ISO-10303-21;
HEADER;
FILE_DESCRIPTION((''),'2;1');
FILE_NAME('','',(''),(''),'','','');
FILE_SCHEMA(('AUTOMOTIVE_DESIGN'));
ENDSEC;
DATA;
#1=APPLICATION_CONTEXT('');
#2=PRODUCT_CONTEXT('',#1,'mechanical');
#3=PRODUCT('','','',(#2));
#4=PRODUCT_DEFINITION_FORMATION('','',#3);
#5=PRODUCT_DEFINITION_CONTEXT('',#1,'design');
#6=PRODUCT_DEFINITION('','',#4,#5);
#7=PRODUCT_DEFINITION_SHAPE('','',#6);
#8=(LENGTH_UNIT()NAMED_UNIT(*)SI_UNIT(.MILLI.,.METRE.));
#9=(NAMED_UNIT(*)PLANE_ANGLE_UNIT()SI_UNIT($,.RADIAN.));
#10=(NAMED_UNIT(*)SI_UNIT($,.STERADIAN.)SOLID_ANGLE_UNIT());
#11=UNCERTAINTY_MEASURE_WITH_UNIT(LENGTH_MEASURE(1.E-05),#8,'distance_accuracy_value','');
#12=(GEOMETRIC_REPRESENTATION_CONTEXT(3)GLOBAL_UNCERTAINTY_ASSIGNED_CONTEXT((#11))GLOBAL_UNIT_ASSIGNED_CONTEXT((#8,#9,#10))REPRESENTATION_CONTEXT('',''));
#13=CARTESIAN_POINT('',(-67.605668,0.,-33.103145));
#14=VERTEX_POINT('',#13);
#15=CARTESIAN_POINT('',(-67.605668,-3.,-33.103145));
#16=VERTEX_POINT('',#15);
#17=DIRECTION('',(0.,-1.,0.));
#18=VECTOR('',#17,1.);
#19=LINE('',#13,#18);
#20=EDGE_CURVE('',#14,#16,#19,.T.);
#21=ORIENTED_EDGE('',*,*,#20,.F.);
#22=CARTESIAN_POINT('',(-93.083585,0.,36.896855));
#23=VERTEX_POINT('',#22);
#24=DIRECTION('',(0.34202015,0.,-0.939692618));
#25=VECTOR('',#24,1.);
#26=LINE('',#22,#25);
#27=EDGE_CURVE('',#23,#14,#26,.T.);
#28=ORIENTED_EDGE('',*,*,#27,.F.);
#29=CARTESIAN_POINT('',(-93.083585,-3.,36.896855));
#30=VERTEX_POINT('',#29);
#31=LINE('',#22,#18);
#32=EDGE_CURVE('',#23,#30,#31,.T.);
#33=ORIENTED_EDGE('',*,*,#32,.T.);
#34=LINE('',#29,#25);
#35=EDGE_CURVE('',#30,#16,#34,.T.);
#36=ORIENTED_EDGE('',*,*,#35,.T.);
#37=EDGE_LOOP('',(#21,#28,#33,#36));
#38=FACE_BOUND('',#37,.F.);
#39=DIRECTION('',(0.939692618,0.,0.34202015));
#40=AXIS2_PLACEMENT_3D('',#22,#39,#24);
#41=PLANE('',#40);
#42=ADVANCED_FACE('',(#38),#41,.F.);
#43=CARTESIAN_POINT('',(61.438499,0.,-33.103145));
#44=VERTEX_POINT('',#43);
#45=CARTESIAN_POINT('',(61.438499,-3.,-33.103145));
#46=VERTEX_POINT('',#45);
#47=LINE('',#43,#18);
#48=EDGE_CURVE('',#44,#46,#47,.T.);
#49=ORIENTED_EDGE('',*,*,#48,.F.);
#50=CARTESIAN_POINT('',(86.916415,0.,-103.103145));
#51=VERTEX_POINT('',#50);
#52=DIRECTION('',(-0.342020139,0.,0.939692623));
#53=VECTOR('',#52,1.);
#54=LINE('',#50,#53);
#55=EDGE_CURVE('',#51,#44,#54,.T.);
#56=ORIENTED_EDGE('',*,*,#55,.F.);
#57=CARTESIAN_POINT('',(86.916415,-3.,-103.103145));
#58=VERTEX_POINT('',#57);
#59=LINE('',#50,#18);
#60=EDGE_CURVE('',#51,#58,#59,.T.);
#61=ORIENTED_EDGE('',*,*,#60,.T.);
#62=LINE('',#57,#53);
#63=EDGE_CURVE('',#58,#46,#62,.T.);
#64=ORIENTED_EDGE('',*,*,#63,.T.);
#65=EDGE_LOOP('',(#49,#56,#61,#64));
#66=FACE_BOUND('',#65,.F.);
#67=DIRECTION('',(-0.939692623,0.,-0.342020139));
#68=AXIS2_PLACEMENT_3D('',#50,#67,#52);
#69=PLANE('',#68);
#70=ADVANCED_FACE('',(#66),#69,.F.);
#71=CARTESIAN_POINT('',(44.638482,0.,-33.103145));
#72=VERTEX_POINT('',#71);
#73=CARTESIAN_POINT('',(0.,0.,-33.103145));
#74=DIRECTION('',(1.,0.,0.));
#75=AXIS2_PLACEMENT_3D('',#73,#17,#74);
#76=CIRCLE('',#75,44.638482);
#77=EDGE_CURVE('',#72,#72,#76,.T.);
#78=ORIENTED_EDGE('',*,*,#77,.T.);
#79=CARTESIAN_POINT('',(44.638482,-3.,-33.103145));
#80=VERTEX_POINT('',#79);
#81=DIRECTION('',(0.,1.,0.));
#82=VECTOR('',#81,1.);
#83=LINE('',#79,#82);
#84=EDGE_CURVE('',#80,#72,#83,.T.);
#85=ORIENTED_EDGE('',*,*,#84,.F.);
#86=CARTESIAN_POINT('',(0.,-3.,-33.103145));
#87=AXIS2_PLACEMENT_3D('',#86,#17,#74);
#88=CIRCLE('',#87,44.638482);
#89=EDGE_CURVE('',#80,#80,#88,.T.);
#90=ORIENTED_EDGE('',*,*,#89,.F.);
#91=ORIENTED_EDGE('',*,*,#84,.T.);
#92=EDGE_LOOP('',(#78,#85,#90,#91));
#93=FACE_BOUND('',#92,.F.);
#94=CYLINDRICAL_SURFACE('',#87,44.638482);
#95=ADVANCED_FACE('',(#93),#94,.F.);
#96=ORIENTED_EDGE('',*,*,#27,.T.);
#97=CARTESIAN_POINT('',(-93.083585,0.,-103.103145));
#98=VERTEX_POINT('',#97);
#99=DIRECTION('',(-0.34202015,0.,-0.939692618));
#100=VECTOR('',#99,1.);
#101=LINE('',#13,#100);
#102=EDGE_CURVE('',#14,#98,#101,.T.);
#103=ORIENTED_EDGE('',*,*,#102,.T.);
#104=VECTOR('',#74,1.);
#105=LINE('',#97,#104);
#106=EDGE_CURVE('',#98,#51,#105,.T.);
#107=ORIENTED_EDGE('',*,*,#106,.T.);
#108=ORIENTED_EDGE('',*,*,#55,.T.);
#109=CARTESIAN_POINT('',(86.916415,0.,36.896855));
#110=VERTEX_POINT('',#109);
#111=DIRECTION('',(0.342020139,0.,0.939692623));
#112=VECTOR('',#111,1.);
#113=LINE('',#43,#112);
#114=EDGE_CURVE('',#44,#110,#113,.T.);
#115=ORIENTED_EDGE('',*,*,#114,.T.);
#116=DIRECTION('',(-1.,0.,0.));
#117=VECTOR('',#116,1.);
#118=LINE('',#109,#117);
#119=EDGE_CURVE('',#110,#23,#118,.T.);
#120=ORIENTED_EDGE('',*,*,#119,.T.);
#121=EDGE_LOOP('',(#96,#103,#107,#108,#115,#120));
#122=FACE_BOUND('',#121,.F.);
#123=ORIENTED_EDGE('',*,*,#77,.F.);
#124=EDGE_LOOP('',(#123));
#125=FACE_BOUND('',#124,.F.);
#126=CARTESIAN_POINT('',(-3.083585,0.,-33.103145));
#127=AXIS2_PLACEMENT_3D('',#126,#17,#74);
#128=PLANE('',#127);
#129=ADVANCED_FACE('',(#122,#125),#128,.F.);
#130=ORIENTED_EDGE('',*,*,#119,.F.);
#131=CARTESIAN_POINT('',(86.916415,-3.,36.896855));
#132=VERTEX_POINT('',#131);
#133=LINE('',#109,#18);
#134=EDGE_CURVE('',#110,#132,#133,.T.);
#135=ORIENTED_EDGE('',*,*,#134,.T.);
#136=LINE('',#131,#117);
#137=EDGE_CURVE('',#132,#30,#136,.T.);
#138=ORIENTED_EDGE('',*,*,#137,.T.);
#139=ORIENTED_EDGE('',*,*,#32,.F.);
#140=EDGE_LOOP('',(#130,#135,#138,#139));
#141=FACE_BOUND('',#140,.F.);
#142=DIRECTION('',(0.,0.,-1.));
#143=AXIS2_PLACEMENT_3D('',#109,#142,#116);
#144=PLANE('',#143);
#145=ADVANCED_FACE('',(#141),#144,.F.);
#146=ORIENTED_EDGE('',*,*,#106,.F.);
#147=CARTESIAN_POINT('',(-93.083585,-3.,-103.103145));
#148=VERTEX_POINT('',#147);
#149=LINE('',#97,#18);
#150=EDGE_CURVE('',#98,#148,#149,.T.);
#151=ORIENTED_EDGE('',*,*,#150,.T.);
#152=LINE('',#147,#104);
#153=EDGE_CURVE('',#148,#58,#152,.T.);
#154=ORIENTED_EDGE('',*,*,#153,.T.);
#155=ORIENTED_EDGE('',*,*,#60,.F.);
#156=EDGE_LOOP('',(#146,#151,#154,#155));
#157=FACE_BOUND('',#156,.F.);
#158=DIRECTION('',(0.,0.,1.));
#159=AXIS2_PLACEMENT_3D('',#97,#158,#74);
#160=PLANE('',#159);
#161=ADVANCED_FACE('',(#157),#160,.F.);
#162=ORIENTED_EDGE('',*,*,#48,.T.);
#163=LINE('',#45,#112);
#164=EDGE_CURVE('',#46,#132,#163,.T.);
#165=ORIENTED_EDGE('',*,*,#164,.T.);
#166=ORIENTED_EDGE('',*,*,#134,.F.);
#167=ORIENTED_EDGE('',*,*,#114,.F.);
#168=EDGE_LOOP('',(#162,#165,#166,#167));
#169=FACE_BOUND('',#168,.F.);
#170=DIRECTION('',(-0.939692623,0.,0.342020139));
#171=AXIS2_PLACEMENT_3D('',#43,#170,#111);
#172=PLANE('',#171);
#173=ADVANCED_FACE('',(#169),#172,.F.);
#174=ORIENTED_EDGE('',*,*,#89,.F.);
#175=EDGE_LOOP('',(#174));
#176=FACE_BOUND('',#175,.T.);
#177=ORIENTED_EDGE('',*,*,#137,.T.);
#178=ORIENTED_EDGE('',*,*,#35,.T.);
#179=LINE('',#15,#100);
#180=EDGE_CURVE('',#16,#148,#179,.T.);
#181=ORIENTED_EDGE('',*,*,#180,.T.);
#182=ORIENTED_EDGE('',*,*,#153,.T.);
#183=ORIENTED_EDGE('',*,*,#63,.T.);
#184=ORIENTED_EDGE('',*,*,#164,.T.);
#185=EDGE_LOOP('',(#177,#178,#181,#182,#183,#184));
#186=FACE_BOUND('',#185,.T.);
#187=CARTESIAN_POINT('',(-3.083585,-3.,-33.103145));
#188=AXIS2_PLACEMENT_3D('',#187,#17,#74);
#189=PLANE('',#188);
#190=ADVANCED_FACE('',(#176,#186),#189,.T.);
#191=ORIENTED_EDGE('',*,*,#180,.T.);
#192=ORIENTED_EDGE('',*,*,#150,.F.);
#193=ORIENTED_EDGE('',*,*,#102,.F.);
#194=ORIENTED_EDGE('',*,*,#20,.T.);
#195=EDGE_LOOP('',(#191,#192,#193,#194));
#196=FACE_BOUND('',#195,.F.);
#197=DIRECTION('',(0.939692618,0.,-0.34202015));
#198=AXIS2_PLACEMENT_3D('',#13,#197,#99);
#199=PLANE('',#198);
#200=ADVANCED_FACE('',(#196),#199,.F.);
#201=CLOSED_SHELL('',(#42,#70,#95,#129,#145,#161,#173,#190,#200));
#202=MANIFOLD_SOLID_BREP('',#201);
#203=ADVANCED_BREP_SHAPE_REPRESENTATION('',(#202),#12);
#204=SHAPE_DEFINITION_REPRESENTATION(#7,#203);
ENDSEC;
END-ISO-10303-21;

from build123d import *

# Parameters (mm, degrees)
F1_DEPTH = 3
F2_R     = 44.638482
F3_DEPTH = 135


with BuildPart() as f1:
    # F0 (on Front) → F1 (new body)
    with BuildSketch(Plane.XZ):
        Polygon((86.916415, 36.896855), (-93.083585, 36.896855), (-67.605668, -33.103145), (-93.083585, -103.103145), (86.916415, -103.103145), (61.438499, -33.103145), align=None)
    extrude(amount=F1_DEPTH)

    # F2 (on face) → F3 (cut)
    with BuildSketch(Plane.XZ.offset(3)):
        with Locations((0, -33.103145)):
            Circle(F2_R)
    extrude(amount=-F3_DEPTH, mode=Mode.SUBTRACT)


solid = f1.part
